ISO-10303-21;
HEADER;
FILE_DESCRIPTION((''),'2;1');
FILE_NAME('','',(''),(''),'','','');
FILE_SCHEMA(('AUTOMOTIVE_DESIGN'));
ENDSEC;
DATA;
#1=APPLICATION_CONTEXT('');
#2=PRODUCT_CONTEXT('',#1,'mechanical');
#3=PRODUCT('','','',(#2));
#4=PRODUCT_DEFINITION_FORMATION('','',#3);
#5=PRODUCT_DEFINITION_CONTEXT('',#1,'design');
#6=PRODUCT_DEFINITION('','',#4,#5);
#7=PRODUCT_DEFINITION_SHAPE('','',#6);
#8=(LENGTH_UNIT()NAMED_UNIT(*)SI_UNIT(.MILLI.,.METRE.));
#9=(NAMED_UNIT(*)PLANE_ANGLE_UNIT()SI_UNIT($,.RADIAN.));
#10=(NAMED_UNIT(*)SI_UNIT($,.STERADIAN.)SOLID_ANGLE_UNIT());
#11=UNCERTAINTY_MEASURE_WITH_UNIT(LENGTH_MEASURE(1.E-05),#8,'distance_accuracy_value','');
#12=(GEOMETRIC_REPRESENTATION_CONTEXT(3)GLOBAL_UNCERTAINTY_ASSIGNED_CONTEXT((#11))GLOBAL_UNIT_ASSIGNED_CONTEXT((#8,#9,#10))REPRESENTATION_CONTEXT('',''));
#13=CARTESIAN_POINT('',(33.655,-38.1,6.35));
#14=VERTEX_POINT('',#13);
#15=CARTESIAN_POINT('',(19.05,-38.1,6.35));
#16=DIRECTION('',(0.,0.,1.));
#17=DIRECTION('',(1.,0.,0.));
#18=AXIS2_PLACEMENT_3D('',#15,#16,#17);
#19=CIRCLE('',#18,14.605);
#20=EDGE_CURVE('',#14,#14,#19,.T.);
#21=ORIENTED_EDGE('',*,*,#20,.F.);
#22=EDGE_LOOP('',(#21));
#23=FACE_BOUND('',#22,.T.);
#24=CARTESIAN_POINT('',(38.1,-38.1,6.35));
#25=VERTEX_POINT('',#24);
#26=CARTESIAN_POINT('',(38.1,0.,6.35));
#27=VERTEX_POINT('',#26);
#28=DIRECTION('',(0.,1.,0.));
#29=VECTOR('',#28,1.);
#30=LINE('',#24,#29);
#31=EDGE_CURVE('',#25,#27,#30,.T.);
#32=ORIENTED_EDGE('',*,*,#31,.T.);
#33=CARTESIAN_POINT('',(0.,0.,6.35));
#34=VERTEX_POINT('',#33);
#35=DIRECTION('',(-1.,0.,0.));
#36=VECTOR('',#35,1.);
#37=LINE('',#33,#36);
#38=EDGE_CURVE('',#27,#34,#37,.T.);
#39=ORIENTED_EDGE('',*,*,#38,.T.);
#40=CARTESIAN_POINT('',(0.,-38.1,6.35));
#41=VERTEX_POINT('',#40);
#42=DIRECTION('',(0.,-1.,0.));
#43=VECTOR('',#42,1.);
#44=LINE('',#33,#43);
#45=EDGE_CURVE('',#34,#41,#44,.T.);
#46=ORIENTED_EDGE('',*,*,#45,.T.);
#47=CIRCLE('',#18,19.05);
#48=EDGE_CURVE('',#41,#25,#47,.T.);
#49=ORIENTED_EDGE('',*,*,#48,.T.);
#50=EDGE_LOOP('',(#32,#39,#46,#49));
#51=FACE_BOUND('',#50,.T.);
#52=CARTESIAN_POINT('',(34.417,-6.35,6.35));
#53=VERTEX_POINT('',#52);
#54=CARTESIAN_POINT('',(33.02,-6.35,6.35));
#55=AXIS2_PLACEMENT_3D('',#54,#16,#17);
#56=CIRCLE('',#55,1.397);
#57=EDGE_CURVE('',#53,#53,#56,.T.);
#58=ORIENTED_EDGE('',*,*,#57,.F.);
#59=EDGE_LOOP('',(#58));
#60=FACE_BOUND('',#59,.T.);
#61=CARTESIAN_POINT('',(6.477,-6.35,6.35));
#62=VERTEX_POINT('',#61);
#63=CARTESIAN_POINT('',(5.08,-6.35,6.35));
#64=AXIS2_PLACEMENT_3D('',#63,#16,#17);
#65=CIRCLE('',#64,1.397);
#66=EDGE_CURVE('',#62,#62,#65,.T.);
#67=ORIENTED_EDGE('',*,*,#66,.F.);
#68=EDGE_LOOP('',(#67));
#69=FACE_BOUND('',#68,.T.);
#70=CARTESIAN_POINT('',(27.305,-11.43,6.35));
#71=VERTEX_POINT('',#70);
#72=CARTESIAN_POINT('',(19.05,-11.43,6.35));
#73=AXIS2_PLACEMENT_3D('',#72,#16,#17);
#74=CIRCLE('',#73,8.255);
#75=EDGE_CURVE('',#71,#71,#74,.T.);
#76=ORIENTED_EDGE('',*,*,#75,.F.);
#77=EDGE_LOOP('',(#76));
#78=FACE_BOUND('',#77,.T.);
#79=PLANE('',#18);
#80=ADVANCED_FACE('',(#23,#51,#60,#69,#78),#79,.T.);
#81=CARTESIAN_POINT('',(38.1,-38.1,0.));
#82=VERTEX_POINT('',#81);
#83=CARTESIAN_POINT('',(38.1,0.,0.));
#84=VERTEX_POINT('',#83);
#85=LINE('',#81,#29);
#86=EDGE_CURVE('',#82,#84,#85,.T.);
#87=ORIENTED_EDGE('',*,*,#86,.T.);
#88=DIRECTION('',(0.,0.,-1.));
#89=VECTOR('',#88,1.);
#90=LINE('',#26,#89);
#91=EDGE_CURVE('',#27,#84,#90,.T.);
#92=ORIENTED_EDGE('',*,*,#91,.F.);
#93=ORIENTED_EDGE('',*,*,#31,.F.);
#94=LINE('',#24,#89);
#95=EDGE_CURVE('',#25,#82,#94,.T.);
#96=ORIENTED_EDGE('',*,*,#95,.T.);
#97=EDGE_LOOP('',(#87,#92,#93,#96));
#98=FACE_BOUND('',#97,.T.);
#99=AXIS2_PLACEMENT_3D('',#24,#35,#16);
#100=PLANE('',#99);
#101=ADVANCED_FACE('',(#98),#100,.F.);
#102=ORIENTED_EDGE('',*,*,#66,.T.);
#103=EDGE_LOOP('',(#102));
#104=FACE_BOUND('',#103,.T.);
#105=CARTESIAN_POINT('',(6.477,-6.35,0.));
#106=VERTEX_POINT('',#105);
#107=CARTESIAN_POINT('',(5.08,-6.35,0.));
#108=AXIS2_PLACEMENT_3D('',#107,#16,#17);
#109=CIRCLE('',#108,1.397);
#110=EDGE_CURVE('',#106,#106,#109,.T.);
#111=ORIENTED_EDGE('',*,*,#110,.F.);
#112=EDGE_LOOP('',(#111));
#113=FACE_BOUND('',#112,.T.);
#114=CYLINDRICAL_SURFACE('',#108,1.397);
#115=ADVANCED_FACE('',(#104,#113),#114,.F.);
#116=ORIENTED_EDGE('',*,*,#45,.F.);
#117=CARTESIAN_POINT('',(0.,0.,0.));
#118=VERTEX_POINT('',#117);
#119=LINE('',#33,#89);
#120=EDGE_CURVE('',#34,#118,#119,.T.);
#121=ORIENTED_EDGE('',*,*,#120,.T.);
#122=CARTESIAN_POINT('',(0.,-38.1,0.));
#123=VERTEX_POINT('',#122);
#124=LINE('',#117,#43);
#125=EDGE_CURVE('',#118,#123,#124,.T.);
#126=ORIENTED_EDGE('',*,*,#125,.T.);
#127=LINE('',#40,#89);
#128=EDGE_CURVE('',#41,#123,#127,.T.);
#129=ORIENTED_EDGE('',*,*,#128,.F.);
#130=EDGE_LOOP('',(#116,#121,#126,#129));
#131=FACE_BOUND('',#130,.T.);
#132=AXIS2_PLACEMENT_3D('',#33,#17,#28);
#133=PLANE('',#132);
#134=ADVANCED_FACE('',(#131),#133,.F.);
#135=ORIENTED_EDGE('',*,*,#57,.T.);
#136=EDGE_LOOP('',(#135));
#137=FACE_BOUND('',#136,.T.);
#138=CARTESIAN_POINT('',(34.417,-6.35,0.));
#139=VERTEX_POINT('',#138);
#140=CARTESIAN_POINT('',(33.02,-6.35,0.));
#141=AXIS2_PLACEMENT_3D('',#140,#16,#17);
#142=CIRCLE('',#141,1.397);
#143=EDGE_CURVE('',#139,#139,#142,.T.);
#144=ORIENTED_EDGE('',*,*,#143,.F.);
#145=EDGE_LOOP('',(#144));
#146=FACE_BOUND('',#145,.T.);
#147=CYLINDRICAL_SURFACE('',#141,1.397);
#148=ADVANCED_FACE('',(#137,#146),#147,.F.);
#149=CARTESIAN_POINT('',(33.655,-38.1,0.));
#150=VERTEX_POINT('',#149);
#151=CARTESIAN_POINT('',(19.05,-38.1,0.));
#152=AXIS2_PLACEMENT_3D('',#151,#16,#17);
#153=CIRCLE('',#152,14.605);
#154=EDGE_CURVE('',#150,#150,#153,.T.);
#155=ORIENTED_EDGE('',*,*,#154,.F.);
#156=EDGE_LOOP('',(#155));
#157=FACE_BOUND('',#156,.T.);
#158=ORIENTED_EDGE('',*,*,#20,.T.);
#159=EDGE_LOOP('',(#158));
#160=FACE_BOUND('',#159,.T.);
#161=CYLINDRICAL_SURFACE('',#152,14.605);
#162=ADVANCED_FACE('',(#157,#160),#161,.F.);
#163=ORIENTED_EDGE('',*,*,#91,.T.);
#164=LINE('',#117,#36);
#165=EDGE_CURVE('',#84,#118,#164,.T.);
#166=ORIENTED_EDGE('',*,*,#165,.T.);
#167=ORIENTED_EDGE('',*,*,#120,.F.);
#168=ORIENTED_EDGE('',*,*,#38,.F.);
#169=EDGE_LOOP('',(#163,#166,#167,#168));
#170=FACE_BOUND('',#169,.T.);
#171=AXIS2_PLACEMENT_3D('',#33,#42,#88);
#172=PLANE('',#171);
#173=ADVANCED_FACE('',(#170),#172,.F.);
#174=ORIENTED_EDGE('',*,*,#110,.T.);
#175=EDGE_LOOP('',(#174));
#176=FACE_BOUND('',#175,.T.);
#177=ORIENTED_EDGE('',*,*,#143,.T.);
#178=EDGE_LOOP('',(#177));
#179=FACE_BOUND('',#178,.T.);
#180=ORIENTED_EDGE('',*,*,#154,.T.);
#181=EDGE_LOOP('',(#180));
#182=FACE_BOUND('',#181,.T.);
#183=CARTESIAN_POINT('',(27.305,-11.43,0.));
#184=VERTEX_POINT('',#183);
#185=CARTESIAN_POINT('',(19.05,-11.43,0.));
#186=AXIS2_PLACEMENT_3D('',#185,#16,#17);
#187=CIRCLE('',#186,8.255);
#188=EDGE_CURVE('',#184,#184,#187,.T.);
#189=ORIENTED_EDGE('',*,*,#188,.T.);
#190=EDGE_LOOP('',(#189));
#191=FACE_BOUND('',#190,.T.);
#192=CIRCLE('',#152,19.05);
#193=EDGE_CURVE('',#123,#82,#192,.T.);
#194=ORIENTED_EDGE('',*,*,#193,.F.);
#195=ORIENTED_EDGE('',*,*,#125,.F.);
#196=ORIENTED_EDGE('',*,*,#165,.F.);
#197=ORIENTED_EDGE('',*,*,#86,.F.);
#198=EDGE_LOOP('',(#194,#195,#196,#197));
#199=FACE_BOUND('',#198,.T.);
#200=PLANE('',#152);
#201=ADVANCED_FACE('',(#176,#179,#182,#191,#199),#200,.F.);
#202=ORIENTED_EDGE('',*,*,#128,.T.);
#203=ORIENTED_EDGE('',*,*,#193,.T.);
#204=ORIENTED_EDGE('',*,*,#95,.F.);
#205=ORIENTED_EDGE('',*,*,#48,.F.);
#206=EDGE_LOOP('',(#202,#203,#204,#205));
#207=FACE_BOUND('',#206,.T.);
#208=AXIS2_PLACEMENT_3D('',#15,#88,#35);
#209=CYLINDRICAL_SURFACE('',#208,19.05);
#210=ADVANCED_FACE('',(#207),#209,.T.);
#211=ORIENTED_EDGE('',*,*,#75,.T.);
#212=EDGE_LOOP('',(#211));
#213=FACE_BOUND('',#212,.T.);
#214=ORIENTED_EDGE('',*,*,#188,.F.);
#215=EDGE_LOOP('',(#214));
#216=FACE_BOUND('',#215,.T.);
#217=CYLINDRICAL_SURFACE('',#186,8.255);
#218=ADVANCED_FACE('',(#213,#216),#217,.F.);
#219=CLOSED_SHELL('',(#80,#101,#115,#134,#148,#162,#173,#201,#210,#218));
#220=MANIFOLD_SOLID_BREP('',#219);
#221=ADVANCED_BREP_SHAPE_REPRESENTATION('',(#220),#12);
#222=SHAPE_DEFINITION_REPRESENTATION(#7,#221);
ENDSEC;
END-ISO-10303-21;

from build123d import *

# Parameters (mm, degrees)
BOSS_EXTRUDE1_DEPTH = 6.35
SKETCH2_R           = 14.605
CUT_EXTRUDE3_DEPTH  = 6.35
SKETCH3_R           = 8.255
CUT_EXTRUDE4_DEPTH  = 6.35
SKETCH5_R           = 1.397
CUT_EXTRUDE5_DEPTH  = 6.35


with BuildPart() as part:
    # Sketch1 → Boss-Extrude1 (new body)
    with BuildSketch(Plane.XY):
        with BuildLine():
            Line((0, 0), (38.1, 0))
            Line((38.1, 0), (38.1, -38.1))
            ThreePointArc((38.1, -38.1), (19.05, -57.15), (0, -38.1))
            Line((0, -38.1), (0, 0))
        make_face()
    extrude(amount=BOSS_EXTRUDE1_DEPTH)

    # Sketch2 → Cut-Extrude3 (cut)
    with BuildSketch(Plane.XY.offset(6.35)):
        with Locations((19.05, -38.1)):
            Circle(SKETCH2_R)
    extrude(amount=-CUT_EXTRUDE3_DEPTH, mode=Mode.SUBTRACT)

    # Sketch3 → Cut-Extrude4 (cut)
    with BuildSketch(Plane.XY.offset(6.35)):
        with Locations((19.05, -11.43)):
            Circle(SKETCH3_R)
    extrude(amount=-CUT_EXTRUDE4_DEPTH, mode=Mode.SUBTRACT)

    # Sketch5 → Cut-Extrude5 (cut)
    with BuildSketch(Plane.XY.offset(6.35)):
        with Locations((5.08, -6.35)):
            Circle(SKETCH5_R)
        with Locations((33.02, -6.35)):
            Circle(SKETCH5_R)
    extrude(amount=-CUT_EXTRUDE5_DEPTH, mode=Mode.SUBTRACT)


solid = part.part
